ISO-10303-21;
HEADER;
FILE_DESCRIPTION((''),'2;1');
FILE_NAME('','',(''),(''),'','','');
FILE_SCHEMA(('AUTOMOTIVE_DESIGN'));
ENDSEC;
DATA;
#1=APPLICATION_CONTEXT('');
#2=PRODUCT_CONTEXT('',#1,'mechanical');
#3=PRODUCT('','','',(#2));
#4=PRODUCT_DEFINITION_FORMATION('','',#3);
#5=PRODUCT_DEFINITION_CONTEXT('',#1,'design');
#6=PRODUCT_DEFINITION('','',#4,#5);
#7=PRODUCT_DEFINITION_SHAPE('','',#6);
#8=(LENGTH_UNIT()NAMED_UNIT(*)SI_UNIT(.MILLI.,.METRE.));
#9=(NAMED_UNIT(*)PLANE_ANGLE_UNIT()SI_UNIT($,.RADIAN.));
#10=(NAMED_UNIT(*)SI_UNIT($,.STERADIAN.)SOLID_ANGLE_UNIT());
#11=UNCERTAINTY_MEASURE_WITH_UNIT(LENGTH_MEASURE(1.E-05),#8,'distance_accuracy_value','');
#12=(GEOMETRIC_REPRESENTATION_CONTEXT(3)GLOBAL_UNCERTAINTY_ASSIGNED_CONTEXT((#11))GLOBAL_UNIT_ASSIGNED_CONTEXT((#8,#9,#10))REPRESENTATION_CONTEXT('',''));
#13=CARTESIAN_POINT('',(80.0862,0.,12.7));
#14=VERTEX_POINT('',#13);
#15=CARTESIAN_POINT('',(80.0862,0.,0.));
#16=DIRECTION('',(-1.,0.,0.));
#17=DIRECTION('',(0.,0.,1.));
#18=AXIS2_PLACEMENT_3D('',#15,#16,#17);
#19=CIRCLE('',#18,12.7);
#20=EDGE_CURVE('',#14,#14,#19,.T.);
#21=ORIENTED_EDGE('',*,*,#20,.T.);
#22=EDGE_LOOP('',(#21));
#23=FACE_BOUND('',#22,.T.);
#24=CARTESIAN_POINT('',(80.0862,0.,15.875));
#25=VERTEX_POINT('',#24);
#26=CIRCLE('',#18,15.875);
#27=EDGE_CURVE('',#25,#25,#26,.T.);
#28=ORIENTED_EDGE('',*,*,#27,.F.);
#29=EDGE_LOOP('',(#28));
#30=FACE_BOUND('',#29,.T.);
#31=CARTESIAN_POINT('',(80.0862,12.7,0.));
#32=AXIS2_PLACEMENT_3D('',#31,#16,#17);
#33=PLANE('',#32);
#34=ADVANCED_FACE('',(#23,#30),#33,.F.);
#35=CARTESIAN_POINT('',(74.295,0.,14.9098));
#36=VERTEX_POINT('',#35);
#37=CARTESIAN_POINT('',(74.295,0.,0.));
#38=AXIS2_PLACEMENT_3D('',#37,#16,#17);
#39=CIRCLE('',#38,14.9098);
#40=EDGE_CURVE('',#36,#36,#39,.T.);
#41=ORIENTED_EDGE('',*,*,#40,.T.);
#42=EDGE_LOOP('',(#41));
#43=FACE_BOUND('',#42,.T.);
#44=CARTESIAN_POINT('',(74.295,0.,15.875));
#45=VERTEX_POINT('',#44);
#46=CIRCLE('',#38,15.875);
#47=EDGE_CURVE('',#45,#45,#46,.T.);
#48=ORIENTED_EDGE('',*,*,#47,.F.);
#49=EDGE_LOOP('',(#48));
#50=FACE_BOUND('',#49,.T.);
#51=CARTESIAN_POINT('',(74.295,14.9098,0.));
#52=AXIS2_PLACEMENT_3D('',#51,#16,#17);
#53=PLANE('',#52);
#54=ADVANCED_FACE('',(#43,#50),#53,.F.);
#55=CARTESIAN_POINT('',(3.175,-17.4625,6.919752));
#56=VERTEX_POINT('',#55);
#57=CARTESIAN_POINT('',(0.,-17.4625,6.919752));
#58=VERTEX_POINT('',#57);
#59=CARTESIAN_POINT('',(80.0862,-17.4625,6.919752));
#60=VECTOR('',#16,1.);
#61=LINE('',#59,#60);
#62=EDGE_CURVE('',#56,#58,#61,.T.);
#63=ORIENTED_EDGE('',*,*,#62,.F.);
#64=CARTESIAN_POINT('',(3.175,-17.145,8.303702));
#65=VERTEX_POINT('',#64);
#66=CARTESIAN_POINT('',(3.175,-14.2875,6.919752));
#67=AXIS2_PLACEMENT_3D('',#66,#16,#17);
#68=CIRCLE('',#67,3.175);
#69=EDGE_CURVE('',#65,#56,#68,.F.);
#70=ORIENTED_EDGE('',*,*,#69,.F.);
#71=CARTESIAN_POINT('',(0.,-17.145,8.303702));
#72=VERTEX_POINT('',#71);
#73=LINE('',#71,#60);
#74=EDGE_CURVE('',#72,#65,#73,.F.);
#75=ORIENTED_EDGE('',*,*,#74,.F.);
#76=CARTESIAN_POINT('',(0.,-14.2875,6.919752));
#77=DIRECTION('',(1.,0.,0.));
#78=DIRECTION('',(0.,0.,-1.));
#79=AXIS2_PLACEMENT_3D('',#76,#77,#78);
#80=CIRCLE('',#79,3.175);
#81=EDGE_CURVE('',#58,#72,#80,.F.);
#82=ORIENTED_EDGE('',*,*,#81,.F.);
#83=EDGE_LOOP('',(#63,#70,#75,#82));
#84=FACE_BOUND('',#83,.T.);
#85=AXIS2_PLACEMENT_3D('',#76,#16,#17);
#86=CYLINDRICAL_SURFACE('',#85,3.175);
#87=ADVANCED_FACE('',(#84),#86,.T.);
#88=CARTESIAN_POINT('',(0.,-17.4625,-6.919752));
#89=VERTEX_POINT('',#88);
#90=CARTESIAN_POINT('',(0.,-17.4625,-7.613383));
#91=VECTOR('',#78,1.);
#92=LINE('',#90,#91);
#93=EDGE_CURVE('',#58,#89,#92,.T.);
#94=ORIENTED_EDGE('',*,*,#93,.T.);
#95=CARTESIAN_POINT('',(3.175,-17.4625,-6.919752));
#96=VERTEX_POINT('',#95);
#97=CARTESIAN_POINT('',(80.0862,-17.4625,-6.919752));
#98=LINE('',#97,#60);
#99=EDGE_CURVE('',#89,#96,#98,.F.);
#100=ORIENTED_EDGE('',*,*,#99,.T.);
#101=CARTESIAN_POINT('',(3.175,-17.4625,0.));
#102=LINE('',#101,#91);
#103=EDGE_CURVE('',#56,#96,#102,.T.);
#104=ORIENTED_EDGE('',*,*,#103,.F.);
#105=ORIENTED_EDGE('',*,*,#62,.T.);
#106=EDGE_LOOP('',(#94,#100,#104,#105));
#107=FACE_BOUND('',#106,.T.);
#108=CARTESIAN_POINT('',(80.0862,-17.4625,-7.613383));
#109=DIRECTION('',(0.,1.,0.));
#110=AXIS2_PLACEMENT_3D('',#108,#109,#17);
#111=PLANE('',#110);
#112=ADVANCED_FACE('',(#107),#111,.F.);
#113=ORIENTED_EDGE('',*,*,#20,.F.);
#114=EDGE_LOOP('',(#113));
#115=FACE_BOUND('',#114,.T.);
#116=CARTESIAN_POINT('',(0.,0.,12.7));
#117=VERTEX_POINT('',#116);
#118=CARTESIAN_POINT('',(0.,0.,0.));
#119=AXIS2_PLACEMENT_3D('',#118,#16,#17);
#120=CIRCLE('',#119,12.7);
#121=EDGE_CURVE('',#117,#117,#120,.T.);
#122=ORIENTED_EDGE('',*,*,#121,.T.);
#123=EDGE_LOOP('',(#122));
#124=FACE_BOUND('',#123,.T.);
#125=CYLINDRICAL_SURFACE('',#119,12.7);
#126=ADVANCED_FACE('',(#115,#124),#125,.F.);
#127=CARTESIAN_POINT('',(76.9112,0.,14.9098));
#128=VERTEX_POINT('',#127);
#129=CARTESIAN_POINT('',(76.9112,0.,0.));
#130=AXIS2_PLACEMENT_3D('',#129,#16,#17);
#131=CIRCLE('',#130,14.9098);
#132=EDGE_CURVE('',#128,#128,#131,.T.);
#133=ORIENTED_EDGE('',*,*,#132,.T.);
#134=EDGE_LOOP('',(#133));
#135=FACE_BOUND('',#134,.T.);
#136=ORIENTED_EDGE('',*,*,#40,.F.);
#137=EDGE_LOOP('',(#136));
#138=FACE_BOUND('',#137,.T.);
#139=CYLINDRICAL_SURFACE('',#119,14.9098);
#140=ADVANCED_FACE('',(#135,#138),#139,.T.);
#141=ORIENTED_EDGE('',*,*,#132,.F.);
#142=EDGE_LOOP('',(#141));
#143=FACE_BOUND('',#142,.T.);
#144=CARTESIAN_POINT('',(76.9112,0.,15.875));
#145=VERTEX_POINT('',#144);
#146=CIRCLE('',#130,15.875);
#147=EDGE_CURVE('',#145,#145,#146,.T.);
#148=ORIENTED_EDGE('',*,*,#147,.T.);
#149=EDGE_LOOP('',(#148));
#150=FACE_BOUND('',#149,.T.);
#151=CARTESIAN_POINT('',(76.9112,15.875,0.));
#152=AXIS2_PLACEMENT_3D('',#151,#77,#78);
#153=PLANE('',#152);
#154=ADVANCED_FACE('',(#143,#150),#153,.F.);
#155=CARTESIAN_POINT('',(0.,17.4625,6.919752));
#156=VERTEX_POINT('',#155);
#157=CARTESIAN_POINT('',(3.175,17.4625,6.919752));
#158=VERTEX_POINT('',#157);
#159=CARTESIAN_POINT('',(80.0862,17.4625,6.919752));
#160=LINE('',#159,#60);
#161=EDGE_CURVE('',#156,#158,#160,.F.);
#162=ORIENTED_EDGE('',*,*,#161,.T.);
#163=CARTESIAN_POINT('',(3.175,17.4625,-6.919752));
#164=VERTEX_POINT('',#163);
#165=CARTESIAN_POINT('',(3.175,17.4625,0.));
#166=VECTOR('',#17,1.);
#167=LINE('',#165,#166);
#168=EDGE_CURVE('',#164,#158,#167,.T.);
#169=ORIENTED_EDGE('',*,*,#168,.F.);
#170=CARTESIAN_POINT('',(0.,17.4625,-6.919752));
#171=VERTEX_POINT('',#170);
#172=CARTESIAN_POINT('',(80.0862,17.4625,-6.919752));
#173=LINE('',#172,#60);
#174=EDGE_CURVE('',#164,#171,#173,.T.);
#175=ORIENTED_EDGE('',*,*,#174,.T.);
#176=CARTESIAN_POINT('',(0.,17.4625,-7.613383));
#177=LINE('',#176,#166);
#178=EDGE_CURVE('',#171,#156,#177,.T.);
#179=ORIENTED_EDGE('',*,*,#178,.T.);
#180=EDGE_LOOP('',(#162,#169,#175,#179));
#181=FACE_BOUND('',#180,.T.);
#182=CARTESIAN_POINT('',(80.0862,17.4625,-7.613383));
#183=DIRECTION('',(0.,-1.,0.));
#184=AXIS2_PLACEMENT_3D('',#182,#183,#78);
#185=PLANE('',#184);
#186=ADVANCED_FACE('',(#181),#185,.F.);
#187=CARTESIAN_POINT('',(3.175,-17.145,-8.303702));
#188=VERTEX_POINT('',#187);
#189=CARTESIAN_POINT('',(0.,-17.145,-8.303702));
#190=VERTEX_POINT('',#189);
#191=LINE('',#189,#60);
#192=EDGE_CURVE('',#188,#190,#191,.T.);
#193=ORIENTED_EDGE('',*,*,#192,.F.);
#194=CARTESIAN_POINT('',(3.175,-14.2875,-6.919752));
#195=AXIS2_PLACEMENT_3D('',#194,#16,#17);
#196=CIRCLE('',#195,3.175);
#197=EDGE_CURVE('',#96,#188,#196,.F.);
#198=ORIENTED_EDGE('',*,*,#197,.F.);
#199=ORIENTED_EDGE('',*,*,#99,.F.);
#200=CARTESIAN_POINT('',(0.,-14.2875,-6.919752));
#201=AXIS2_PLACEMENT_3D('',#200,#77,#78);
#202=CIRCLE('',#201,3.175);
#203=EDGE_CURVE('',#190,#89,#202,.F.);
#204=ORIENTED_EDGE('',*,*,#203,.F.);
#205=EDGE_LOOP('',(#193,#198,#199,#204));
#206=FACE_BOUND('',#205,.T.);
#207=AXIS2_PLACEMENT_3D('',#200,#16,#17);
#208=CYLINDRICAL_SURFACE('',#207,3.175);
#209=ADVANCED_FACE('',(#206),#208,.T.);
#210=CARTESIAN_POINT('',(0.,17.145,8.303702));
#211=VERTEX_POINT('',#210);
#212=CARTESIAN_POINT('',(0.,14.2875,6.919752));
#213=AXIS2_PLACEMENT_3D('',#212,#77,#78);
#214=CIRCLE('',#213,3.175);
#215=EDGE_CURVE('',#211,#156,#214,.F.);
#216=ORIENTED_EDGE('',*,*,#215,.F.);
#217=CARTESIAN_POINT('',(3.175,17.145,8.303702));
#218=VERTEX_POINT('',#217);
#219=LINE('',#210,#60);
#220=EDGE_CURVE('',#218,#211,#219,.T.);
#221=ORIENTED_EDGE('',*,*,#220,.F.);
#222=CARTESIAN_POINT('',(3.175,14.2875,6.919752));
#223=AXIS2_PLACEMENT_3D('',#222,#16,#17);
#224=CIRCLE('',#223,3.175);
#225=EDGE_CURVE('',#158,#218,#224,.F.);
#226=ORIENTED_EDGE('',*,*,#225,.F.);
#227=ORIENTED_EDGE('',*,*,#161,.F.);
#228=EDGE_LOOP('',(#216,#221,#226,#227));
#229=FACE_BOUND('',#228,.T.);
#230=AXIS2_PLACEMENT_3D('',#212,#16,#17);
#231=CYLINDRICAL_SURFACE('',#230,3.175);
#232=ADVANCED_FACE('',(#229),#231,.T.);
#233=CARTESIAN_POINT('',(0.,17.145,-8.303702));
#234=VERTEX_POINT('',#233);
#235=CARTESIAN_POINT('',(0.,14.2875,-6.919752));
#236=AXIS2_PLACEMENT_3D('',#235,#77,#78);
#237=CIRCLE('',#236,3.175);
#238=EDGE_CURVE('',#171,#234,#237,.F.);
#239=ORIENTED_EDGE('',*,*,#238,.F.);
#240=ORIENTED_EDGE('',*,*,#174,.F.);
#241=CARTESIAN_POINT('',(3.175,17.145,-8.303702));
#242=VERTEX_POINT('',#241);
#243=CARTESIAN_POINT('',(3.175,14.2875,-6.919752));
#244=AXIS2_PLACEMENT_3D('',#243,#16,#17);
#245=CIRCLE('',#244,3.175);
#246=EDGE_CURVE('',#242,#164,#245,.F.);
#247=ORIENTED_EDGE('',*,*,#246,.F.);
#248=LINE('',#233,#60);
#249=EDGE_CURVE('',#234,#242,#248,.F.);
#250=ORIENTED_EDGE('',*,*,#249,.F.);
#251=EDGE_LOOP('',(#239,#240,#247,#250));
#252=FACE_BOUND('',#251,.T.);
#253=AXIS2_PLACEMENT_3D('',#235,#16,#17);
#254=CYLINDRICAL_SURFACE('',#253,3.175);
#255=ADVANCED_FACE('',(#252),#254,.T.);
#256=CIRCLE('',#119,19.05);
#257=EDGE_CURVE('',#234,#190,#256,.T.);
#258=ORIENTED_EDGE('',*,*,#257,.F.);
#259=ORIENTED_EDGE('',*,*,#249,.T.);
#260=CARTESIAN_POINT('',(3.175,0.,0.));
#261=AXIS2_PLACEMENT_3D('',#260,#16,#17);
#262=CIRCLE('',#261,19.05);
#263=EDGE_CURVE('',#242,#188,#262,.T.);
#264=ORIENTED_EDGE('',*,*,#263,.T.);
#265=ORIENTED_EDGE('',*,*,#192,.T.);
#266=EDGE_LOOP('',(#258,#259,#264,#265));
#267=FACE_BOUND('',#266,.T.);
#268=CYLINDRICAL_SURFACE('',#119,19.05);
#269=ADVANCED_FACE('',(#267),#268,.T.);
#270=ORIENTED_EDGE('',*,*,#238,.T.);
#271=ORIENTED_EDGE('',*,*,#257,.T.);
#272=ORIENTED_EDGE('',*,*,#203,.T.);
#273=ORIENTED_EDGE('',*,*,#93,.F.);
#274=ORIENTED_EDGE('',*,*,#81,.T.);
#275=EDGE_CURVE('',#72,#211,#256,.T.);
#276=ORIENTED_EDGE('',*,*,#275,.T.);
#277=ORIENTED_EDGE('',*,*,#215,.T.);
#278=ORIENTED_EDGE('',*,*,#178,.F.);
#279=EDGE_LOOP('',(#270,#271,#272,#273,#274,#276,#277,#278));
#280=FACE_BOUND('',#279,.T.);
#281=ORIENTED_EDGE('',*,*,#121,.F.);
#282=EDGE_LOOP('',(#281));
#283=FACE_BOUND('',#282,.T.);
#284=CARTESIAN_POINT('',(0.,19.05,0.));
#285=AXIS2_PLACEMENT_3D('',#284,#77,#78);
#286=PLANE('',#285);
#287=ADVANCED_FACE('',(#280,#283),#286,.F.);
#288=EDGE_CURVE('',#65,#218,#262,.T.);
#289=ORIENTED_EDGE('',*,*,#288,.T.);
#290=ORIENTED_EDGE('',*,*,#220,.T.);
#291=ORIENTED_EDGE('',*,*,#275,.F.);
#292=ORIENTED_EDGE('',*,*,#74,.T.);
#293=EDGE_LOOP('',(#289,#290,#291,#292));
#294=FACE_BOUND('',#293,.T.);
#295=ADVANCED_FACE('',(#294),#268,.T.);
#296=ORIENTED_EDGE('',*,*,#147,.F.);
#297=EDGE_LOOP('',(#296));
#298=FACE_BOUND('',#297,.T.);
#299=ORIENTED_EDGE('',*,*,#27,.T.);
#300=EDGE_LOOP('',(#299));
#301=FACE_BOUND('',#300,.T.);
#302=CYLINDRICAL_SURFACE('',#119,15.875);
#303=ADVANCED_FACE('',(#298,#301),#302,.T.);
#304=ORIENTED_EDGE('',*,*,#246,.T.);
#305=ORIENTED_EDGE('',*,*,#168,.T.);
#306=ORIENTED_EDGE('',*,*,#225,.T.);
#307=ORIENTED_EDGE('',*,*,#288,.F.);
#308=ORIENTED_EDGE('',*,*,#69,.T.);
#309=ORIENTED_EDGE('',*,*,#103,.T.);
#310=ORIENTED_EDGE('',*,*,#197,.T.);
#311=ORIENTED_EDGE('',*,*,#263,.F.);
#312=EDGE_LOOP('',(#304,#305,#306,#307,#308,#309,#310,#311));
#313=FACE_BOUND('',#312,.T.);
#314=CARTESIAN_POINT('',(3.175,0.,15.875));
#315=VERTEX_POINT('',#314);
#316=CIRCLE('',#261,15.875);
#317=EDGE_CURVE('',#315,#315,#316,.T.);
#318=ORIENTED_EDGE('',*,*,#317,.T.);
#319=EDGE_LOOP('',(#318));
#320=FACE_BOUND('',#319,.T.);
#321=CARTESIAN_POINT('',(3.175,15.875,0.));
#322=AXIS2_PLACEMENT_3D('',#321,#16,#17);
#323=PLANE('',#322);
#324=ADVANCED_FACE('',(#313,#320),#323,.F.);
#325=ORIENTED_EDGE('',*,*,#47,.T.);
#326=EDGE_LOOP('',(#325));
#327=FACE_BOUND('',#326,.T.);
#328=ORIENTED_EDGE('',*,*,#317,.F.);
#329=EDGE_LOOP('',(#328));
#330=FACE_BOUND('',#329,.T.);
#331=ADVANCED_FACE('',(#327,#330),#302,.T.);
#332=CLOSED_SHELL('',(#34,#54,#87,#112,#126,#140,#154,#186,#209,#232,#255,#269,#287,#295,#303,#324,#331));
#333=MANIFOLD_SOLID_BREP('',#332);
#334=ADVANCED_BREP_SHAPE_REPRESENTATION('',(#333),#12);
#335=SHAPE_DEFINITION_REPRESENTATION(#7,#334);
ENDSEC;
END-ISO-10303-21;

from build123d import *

# Parameters (mm, degrees)
SKETCH2_W          = 15.226765086
SKETCH2_H          = 1.5875
CUT_EXTRUDE1_DEPTH = 85.496179975
FILLET1_R          = 3.175


with BuildPart() as part:
    # Sketch1 → Revolve1 (revolve)
    with BuildSketch(Plane.XY, mode=Mode.PRIVATE) as revolve1_sk:
        Polygon((0, 19.05), (0, 12.7), (80.0862, 12.7), (80.0862, 15.875), (76.9112, 15.875), (76.9112, 14.9098), (74.295, 14.9098), (74.295, 15.875), (3.175, 15.875), (3.175, 19.05), align=None)
    revolve(revolve1_sk.sketch.rotate(Axis((0, 0, 0), (1, 0, 0)), 90), axis=Axis((0, 0, 0), (1, 0, 0)))

    # Sketch2 → Cut-Extrude1 (cut, through all)
    with BuildSketch(Plane.ZY):
        with Locations((0, 18.25625)):
            Rectangle(SKETCH2_W, SKETCH2_H)
        with Locations((0, -18.25625)):
            Rectangle(SKETCH2_W, SKETCH2_H)
    extrude(amount=-CUT_EXTRUDE1_DEPTH, mode=Mode.SUBTRACT)

    # Fillet1
    fillet1_edges = [part.edges().sort_by_distance(p)[0] for p in [
        (1.5875, 17.4625, 7.613382543),
        (1.5875, 17.4625, -7.613382543),
        (1.5875, -17.4625, -7.613382543),
        (1.5875, -17.4625, 7.613382543),
    ]]
    fillet(fillet1_edges, radius=FILLET1_R)


solid = part.part
